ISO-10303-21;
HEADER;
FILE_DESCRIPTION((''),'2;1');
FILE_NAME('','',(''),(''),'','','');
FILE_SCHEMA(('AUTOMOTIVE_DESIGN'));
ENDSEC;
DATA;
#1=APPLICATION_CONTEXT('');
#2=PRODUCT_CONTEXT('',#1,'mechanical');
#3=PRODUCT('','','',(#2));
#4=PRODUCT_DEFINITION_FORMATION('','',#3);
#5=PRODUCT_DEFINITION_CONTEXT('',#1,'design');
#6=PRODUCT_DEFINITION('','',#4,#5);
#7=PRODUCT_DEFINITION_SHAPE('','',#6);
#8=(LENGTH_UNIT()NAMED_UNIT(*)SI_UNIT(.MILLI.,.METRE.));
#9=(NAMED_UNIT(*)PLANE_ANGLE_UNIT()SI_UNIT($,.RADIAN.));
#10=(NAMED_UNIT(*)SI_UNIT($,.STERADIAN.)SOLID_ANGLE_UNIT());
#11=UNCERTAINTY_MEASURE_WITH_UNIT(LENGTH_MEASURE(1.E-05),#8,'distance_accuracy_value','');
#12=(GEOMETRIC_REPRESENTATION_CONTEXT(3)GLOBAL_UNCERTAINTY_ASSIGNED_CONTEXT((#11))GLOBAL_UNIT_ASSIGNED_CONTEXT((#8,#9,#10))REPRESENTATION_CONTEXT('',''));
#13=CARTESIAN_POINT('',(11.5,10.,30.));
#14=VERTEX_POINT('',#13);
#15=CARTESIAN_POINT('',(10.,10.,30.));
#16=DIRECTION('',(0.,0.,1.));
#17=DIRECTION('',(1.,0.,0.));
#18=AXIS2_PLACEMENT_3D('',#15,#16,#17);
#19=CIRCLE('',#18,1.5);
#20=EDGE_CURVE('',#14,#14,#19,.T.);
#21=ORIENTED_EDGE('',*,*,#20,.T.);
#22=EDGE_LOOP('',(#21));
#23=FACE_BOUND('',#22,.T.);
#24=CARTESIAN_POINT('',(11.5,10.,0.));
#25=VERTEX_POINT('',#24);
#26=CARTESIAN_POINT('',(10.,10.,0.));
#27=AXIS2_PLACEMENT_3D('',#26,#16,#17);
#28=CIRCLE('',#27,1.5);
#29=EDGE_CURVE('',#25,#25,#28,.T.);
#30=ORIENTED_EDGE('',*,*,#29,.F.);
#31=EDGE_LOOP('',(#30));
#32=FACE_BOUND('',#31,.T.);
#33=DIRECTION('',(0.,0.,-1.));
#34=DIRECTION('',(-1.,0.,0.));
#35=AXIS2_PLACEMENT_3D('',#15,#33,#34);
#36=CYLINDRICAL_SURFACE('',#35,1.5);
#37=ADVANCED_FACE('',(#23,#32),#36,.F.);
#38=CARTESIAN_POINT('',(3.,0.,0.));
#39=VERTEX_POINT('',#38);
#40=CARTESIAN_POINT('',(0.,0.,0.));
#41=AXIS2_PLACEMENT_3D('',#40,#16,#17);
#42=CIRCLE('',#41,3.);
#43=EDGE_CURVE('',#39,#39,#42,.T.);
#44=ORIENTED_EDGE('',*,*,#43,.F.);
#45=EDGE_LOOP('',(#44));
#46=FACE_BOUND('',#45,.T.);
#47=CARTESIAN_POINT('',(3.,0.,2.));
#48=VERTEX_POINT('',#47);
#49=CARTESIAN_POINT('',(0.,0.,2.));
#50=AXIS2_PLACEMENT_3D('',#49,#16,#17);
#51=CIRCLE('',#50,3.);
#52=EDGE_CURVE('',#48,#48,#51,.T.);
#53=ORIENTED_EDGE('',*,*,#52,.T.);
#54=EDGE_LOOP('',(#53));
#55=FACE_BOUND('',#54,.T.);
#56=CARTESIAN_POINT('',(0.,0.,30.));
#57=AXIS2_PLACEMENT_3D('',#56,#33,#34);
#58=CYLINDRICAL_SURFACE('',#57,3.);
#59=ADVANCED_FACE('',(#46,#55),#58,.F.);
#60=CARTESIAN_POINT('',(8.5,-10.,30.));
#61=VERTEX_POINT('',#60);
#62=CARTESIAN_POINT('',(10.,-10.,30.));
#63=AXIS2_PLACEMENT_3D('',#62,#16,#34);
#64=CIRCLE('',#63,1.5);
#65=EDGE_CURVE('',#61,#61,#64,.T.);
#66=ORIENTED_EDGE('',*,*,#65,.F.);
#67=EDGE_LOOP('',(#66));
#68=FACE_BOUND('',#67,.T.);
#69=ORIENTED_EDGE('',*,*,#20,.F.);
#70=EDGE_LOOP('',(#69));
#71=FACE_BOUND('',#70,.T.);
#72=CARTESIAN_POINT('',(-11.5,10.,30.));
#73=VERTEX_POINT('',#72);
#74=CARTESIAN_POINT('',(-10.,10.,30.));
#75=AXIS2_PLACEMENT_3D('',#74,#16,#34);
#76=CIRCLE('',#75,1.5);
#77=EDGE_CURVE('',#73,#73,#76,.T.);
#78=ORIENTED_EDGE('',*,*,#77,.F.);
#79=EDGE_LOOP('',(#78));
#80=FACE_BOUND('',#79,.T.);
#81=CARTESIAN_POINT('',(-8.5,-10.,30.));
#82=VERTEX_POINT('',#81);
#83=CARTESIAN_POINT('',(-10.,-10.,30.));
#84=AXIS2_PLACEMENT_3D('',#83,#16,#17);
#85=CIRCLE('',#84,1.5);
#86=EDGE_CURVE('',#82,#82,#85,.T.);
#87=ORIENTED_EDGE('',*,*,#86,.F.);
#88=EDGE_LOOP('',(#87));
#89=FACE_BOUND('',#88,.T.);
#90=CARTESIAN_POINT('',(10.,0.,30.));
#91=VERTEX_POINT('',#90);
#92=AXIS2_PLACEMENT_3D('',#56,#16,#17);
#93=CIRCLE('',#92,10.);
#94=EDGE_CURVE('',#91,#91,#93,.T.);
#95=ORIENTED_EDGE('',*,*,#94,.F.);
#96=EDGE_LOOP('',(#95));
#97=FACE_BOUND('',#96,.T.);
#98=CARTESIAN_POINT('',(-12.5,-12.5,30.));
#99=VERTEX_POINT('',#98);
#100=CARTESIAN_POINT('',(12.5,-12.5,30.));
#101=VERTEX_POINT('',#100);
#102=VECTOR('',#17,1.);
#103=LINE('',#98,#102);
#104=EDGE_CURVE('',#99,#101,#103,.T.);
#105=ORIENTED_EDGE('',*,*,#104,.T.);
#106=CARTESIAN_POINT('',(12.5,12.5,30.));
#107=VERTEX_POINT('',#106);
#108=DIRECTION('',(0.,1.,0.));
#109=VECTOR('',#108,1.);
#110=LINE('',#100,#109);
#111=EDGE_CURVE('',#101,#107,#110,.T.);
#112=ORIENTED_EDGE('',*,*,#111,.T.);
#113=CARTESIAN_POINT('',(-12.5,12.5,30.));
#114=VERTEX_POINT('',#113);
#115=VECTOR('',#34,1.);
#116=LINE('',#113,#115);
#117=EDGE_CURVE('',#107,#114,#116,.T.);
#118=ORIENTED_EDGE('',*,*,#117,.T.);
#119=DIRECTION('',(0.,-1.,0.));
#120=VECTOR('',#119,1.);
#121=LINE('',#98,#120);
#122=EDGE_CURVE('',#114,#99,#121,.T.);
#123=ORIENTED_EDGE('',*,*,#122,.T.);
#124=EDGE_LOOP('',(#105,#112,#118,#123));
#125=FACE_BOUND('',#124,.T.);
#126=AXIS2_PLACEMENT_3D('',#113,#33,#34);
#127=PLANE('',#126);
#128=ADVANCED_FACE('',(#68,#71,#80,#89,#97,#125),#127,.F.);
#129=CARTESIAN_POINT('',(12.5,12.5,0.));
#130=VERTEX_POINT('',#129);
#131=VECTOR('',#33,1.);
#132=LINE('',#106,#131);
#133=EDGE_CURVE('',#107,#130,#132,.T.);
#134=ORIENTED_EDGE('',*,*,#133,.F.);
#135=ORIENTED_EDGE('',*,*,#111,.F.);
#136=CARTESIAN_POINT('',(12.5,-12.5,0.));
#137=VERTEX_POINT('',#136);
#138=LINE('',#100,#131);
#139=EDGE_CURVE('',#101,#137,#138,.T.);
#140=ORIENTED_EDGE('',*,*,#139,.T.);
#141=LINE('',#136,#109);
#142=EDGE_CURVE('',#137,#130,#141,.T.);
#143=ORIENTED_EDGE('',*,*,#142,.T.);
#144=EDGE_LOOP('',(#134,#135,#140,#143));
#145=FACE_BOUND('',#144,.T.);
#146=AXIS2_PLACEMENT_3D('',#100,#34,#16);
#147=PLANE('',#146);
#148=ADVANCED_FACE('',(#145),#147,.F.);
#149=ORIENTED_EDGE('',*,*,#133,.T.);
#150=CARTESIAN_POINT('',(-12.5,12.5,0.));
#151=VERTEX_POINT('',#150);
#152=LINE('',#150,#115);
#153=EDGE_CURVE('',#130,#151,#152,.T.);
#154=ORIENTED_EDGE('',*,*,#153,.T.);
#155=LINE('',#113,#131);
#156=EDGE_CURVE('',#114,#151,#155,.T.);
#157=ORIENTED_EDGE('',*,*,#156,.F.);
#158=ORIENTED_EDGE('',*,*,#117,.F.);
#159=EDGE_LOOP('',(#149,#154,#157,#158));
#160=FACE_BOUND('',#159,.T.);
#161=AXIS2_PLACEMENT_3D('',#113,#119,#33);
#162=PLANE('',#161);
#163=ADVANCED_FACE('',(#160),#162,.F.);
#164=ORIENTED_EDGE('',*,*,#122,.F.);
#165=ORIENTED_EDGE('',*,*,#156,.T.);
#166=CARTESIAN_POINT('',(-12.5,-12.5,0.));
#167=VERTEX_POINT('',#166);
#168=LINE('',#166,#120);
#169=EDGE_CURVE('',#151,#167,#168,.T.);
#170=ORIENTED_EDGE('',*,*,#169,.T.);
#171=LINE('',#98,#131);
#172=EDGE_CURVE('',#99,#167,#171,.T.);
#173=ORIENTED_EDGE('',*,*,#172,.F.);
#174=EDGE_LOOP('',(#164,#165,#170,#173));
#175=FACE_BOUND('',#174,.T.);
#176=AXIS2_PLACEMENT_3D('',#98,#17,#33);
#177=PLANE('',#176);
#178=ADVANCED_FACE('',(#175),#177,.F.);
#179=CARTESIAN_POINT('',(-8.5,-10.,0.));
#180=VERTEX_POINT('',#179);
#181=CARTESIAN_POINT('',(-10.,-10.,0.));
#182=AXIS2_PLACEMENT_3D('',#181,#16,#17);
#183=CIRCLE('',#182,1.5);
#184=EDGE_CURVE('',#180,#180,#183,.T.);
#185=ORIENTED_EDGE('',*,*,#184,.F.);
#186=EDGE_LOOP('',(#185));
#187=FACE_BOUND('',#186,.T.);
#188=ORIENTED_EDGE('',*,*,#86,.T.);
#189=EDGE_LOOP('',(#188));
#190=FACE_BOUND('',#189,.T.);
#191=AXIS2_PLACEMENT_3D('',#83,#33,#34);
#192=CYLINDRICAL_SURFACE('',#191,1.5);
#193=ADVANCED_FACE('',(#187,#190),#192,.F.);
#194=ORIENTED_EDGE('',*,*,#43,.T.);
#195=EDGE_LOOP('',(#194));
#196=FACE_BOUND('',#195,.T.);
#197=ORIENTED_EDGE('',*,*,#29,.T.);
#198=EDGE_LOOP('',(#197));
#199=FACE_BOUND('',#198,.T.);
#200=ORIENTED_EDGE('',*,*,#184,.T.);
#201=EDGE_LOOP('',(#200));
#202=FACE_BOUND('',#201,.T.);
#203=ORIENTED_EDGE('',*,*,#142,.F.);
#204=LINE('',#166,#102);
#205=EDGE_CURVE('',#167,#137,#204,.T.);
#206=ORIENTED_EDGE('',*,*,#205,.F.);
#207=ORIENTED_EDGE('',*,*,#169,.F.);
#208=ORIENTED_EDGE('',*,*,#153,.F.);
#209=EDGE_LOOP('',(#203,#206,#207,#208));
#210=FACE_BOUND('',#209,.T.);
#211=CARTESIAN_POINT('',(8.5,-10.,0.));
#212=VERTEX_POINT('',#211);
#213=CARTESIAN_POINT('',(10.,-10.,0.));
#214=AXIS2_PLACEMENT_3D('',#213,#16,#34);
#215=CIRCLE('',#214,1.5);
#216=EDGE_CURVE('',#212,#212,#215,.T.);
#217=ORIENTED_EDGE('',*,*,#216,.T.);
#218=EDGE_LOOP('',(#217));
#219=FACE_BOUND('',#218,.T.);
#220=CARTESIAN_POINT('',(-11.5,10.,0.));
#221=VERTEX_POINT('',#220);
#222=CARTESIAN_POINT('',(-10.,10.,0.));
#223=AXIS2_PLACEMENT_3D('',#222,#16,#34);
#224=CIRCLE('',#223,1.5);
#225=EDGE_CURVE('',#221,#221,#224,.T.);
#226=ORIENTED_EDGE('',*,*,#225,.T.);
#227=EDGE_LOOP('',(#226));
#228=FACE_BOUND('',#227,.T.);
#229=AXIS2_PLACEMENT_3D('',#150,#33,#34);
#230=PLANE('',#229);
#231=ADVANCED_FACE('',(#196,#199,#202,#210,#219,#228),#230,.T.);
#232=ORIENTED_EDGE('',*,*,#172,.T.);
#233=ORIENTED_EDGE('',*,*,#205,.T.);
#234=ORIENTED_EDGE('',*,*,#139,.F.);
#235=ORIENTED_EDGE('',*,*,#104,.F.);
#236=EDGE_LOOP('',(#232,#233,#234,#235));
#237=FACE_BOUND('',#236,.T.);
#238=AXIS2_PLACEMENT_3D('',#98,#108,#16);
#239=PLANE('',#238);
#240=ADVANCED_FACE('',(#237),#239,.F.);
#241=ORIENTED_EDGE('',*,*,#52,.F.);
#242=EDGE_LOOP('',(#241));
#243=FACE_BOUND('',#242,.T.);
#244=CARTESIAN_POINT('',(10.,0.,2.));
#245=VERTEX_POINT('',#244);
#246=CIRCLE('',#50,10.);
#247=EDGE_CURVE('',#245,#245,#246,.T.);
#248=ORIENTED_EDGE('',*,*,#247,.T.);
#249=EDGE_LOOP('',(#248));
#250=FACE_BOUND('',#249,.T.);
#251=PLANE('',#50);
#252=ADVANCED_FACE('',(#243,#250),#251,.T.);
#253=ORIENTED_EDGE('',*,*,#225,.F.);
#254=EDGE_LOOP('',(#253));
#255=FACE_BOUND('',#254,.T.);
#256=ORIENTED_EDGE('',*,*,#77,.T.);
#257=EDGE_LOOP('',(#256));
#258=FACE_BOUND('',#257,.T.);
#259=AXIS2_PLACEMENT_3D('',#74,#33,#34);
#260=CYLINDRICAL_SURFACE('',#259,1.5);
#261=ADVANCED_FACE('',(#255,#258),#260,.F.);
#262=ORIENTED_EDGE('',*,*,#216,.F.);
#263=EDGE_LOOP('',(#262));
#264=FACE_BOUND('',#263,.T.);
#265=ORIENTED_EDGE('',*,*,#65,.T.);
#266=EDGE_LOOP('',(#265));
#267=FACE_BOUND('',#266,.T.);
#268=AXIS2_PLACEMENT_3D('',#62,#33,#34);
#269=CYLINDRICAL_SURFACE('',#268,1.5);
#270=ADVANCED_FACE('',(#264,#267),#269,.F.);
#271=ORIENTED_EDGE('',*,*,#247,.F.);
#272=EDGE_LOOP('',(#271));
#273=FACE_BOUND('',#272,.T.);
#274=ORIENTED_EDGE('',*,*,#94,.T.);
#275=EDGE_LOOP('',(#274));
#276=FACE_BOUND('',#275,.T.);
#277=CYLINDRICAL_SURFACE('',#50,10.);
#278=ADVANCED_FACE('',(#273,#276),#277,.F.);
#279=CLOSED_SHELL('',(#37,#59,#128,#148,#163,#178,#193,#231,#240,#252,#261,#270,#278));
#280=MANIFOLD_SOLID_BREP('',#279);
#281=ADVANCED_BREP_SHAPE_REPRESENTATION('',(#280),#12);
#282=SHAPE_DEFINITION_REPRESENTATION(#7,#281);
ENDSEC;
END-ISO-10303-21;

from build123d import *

# Parameters (mm, degrees)
ESQUISSE1_W      = 25
ESQUISSE1_H      = 25
ESQUISSE1_R      = 1.5
ESQUISSE1_R_2    = 3
EXTRUSION3_DEPTH = 30
ESQUISSE8_R      = 10
EXTRUSION4_DEPTH = 28


with BuildPart() as part:
    # Esquisse1 → Extrusion3 (new body)
    with BuildSketch(Plane.XY):
        Rectangle(ESQUISSE1_W, ESQUISSE1_H)
        with Locations((10, 10)):
            Circle(ESQUISSE1_R, mode=Mode.SUBTRACT)
        Circle(ESQUISSE1_R_2, mode=Mode.SUBTRACT)
        with Locations((-10, 10)):
            Circle(ESQUISSE1_R, mode=Mode.SUBTRACT)
        with Locations((10, -10)):
            Circle(ESQUISSE1_R, mode=Mode.SUBTRACT)
        with Locations((-10, -10)):
            Circle(ESQUISSE1_R, mode=Mode.SUBTRACT)
    extrude(amount=EXTRUSION3_DEPTH)

    # Esquisse8 → Extrusion4 (cut)
    with BuildSketch(Plane.XY.offset(30)):
        Circle(ESQUISSE8_R)
    extrude(amount=-EXTRUSION4_DEPTH, mode=Mode.SUBTRACT)


solid = part.part
